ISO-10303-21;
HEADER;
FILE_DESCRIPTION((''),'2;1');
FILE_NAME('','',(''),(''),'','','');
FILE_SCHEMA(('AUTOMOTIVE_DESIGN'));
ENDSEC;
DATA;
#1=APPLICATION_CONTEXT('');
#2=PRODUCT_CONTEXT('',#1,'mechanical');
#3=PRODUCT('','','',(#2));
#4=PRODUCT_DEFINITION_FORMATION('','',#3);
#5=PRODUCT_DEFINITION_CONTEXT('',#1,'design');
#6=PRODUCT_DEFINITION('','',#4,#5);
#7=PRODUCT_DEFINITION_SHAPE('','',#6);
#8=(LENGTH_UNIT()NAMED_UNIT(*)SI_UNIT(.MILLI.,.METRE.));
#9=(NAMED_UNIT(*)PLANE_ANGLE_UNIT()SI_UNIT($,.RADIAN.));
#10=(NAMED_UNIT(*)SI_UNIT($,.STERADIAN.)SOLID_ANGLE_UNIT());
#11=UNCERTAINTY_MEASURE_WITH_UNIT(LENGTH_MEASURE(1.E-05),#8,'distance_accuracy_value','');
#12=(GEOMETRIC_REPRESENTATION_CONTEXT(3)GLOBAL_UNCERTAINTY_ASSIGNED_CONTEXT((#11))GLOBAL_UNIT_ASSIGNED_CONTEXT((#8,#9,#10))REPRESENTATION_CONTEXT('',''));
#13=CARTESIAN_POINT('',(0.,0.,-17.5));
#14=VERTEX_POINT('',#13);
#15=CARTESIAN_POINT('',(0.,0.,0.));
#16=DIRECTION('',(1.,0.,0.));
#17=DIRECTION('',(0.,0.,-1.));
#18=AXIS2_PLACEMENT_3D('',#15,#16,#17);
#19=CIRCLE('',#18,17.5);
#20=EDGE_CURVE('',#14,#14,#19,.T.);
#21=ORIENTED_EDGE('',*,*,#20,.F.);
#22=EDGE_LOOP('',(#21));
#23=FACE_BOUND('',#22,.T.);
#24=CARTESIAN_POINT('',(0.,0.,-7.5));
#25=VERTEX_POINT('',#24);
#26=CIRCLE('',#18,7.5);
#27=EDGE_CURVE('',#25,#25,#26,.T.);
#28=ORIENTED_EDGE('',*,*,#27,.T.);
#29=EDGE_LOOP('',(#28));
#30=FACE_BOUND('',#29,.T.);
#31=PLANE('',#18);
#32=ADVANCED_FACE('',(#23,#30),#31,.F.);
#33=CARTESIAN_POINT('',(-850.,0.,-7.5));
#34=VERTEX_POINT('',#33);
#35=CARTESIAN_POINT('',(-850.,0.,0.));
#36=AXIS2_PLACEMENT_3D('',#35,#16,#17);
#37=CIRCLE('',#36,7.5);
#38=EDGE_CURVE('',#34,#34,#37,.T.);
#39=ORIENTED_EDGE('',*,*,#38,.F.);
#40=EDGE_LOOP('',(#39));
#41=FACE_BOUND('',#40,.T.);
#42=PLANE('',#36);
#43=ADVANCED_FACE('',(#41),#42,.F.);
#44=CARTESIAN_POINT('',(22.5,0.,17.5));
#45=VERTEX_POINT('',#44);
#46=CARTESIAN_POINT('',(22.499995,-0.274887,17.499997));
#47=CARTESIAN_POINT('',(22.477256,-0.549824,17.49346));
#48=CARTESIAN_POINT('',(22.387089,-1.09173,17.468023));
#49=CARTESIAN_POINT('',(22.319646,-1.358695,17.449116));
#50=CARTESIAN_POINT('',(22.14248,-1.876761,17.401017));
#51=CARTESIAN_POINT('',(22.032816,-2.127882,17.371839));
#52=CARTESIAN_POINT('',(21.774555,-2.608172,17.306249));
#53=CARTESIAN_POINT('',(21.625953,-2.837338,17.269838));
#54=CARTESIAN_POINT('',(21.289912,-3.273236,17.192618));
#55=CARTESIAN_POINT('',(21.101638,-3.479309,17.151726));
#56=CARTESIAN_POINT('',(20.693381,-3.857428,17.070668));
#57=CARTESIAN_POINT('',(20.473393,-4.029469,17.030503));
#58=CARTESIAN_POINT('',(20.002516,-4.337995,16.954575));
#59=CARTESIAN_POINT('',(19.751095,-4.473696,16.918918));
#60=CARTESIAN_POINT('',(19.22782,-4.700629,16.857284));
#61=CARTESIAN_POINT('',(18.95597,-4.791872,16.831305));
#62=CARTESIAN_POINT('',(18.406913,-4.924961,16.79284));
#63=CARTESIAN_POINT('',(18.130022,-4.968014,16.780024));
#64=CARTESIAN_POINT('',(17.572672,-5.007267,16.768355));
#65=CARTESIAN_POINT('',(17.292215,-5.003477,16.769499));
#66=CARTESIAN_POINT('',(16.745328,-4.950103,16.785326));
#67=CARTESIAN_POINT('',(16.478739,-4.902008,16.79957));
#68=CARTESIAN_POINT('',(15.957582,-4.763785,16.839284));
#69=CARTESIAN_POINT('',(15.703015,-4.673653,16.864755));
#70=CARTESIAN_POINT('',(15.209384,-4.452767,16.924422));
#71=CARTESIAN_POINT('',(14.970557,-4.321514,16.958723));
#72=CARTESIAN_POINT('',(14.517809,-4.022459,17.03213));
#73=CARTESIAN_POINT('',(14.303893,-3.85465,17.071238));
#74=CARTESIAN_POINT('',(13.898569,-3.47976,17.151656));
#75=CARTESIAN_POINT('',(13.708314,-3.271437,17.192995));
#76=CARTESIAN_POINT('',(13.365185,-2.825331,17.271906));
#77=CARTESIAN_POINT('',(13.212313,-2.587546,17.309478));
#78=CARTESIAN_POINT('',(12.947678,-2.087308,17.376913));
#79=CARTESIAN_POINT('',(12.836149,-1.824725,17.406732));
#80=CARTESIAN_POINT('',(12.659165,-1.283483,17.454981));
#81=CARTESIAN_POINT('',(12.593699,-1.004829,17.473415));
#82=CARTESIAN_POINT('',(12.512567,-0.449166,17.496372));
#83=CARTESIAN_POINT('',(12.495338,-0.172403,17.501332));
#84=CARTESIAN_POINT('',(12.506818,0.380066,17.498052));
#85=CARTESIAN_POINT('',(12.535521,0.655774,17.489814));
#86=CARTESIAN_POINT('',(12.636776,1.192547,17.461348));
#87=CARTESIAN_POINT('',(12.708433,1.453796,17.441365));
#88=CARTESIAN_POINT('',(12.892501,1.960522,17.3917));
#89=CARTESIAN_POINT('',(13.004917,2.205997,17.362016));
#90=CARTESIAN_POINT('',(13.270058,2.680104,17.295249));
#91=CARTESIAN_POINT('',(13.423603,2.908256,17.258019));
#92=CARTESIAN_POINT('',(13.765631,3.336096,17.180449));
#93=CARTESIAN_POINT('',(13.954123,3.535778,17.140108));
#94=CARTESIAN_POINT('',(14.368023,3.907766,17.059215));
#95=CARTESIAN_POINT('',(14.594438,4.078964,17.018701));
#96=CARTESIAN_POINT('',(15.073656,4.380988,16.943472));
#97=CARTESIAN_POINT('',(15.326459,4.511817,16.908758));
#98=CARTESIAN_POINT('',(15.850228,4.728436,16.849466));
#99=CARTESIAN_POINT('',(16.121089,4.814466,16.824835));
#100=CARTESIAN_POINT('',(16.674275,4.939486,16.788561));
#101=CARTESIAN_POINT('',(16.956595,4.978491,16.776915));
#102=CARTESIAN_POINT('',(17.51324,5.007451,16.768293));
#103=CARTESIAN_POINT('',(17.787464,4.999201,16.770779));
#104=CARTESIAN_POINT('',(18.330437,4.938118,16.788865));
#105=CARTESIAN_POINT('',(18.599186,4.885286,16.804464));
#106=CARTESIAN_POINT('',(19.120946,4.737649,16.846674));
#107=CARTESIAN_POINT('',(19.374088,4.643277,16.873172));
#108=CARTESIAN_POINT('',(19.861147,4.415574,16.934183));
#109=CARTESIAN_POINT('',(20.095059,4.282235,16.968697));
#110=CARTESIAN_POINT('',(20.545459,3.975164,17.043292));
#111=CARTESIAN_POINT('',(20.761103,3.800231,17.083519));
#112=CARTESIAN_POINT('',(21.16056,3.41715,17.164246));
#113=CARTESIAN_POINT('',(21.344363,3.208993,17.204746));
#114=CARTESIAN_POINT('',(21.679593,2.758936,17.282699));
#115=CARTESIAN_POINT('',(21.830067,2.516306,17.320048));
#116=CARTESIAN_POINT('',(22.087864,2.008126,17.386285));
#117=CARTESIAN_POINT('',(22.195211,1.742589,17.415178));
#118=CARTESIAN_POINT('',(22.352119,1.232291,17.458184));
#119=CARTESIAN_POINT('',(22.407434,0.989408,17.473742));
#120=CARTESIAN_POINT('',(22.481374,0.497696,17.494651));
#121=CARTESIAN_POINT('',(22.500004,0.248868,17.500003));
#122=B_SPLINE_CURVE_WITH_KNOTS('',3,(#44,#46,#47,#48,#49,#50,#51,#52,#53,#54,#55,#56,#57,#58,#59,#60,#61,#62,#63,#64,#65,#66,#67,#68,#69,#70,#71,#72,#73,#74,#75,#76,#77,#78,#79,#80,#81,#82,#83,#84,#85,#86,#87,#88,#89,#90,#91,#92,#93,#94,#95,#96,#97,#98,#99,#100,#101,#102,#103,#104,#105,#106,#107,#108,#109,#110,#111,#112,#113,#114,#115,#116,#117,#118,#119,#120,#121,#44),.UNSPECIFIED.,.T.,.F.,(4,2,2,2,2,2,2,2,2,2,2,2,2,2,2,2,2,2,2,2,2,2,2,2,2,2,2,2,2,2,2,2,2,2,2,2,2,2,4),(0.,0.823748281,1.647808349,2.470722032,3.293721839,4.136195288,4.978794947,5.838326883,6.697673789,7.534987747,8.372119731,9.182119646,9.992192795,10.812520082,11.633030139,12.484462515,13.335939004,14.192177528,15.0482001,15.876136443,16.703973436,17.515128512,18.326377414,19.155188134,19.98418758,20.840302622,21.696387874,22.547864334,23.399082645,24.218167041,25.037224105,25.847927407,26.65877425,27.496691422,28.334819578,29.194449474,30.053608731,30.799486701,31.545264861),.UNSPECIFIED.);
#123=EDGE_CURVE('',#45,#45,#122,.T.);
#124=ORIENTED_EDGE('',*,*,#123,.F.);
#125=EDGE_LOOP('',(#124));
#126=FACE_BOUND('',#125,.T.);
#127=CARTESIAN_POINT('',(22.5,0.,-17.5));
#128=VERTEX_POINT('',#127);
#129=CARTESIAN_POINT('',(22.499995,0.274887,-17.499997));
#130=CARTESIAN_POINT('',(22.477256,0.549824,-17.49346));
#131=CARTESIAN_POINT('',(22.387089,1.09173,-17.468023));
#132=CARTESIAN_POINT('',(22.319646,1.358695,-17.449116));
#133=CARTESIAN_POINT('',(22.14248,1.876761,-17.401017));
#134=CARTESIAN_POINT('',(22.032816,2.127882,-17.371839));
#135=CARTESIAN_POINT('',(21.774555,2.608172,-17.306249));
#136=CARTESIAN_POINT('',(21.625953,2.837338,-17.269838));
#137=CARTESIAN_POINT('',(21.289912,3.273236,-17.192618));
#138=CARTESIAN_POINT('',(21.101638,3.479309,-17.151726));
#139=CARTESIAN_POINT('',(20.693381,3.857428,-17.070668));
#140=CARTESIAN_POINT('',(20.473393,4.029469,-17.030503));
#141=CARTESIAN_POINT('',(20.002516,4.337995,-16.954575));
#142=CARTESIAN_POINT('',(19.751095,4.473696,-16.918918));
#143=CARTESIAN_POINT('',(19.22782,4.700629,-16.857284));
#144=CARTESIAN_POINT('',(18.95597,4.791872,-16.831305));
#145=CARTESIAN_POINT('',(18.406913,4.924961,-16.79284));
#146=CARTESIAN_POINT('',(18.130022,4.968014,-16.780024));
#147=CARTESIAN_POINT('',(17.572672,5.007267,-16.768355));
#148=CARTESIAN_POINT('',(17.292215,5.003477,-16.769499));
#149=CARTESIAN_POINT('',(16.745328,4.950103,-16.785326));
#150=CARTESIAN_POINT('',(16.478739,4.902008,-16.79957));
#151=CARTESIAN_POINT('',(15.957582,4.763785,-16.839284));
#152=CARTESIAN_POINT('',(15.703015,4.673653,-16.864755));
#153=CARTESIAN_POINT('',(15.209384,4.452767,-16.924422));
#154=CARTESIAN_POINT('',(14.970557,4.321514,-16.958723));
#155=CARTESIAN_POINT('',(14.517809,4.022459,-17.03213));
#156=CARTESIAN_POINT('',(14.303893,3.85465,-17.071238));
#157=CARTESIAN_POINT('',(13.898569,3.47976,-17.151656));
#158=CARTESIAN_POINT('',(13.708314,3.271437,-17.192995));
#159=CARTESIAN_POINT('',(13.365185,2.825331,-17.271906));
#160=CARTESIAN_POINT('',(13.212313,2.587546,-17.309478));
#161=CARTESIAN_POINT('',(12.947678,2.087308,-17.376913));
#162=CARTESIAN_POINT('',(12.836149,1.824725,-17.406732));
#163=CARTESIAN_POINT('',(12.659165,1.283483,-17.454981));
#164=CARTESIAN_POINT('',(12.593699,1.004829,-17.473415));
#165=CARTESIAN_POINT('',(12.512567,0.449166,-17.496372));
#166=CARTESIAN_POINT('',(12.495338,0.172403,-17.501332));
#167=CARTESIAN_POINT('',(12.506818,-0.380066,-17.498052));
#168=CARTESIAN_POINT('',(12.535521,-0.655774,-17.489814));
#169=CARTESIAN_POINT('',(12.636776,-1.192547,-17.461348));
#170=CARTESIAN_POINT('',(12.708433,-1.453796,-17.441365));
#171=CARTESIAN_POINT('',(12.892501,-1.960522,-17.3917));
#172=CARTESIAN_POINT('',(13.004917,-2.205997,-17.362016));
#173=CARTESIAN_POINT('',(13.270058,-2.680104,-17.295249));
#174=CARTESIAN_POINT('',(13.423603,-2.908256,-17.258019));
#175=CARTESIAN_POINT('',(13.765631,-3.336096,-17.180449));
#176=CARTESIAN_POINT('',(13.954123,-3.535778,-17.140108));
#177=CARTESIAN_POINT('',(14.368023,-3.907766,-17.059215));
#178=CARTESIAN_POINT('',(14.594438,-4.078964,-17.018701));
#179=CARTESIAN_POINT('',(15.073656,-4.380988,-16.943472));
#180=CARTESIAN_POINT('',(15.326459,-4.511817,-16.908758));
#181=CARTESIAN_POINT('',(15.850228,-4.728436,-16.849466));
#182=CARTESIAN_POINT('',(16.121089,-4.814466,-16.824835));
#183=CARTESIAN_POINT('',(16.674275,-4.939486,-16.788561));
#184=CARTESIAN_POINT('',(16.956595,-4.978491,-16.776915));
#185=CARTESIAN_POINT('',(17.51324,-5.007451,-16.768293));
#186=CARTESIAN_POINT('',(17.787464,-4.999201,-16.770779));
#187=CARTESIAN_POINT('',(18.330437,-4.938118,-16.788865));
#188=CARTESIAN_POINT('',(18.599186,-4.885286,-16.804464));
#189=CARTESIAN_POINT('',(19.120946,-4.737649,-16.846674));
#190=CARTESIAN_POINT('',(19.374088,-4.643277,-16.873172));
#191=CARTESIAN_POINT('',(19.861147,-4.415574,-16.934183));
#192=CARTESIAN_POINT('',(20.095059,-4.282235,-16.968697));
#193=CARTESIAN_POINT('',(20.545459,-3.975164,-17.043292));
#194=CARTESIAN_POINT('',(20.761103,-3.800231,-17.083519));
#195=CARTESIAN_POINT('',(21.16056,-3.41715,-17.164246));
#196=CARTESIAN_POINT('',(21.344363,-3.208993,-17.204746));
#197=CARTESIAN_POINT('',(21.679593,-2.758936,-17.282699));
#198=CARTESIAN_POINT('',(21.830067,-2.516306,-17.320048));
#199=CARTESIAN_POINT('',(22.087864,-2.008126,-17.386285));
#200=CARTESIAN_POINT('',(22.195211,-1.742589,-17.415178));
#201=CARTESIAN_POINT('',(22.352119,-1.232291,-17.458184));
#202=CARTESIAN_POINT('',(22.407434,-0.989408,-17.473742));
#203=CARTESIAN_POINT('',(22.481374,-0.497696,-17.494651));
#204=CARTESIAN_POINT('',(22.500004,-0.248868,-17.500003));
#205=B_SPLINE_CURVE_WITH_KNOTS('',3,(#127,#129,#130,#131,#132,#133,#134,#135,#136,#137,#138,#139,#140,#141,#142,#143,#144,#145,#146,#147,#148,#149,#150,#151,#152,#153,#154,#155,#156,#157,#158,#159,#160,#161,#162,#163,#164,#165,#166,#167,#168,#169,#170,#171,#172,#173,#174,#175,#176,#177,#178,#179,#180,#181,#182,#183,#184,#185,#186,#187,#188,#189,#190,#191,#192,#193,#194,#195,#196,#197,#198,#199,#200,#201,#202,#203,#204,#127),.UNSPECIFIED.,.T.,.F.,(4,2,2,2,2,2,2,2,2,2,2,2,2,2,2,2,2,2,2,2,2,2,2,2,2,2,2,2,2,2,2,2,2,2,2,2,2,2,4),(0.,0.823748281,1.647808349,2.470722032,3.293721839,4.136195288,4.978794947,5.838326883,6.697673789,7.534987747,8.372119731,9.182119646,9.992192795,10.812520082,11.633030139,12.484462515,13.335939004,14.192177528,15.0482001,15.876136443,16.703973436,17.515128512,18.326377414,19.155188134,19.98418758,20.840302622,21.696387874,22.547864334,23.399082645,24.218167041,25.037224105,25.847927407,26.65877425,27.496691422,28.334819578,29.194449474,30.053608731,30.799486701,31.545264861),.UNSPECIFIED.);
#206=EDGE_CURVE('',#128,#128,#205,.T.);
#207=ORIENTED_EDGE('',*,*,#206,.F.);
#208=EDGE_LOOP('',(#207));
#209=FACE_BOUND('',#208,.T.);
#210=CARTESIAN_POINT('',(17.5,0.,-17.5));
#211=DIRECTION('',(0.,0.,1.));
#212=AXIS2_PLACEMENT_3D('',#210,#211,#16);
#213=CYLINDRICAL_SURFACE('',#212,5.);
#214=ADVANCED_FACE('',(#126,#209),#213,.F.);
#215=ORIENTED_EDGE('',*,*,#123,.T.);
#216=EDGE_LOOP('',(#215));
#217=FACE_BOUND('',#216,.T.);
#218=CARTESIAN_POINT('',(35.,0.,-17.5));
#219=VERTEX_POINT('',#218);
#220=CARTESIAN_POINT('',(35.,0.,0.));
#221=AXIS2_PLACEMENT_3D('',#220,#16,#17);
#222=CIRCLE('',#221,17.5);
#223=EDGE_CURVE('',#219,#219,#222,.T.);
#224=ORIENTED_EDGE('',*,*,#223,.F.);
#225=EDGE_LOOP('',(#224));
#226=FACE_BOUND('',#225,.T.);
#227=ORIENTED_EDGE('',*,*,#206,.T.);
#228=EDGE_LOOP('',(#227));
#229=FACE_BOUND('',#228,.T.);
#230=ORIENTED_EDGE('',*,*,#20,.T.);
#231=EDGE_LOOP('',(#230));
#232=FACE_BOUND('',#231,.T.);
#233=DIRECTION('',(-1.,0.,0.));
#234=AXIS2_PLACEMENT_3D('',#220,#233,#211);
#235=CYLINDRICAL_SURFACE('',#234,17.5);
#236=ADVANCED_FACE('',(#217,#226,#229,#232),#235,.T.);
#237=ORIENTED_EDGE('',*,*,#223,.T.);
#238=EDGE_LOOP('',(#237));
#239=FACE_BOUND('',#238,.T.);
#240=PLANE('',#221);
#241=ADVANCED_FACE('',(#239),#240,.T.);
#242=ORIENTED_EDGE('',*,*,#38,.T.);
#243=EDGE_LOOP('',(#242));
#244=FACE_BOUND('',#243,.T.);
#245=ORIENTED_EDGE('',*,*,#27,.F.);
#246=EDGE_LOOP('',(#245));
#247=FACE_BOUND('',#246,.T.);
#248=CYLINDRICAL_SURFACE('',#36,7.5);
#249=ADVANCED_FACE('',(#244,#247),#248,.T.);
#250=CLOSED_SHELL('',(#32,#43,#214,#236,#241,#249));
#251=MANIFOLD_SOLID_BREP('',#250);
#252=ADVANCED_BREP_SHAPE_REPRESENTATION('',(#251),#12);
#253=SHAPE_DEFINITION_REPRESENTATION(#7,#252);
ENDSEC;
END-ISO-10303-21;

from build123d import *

# Parameters (mm, degrees)
SKETCH1_R               = 7.5
BOSS_EXTRUDE1_DEPTH     = 850
SKETCH2_R               = 17.5
BOSS_EXTRUDE2_DEPTH     = 35
SKETCH3_R               = 5
CUT_EXTRUDE2_DEPTH      = 18.5
CUT_EXTRUDE2_DEPTH_BACK = 18.5


with BuildPart() as part:
    # Sketch1 → Boss-Extrude1 (new body)
    with BuildSketch(Plane(origin=(0, 0, 0), x_dir=(0, 0, -1), z_dir=(1, 0, 0))):
        Circle(SKETCH1_R)
    extrude(amount=-BOSS_EXTRUDE1_DEPTH)

    # Sketch2 → Boss-Extrude2 (add)
    with BuildSketch(Plane(origin=(0, 0, 0), x_dir=(0, 0, -1), z_dir=(1, 0, 0))):
        Circle(SKETCH2_R)
    extrude(amount=BOSS_EXTRUDE2_DEPTH)

    # Sketch3 → Cut-Extrude2 (cut, two sides)
    with BuildSketch(Plane.XY) as cut_extrude2_sk:
        with Locations((17.5, 0)):
            Circle(SKETCH3_R)
    extrude(amount=CUT_EXTRUDE2_DEPTH, mode=Mode.SUBTRACT)
    extrude(cut_extrude2_sk.sketch, amount=-CUT_EXTRUDE2_DEPTH_BACK, mode=Mode.SUBTRACT)


solid = part.part
